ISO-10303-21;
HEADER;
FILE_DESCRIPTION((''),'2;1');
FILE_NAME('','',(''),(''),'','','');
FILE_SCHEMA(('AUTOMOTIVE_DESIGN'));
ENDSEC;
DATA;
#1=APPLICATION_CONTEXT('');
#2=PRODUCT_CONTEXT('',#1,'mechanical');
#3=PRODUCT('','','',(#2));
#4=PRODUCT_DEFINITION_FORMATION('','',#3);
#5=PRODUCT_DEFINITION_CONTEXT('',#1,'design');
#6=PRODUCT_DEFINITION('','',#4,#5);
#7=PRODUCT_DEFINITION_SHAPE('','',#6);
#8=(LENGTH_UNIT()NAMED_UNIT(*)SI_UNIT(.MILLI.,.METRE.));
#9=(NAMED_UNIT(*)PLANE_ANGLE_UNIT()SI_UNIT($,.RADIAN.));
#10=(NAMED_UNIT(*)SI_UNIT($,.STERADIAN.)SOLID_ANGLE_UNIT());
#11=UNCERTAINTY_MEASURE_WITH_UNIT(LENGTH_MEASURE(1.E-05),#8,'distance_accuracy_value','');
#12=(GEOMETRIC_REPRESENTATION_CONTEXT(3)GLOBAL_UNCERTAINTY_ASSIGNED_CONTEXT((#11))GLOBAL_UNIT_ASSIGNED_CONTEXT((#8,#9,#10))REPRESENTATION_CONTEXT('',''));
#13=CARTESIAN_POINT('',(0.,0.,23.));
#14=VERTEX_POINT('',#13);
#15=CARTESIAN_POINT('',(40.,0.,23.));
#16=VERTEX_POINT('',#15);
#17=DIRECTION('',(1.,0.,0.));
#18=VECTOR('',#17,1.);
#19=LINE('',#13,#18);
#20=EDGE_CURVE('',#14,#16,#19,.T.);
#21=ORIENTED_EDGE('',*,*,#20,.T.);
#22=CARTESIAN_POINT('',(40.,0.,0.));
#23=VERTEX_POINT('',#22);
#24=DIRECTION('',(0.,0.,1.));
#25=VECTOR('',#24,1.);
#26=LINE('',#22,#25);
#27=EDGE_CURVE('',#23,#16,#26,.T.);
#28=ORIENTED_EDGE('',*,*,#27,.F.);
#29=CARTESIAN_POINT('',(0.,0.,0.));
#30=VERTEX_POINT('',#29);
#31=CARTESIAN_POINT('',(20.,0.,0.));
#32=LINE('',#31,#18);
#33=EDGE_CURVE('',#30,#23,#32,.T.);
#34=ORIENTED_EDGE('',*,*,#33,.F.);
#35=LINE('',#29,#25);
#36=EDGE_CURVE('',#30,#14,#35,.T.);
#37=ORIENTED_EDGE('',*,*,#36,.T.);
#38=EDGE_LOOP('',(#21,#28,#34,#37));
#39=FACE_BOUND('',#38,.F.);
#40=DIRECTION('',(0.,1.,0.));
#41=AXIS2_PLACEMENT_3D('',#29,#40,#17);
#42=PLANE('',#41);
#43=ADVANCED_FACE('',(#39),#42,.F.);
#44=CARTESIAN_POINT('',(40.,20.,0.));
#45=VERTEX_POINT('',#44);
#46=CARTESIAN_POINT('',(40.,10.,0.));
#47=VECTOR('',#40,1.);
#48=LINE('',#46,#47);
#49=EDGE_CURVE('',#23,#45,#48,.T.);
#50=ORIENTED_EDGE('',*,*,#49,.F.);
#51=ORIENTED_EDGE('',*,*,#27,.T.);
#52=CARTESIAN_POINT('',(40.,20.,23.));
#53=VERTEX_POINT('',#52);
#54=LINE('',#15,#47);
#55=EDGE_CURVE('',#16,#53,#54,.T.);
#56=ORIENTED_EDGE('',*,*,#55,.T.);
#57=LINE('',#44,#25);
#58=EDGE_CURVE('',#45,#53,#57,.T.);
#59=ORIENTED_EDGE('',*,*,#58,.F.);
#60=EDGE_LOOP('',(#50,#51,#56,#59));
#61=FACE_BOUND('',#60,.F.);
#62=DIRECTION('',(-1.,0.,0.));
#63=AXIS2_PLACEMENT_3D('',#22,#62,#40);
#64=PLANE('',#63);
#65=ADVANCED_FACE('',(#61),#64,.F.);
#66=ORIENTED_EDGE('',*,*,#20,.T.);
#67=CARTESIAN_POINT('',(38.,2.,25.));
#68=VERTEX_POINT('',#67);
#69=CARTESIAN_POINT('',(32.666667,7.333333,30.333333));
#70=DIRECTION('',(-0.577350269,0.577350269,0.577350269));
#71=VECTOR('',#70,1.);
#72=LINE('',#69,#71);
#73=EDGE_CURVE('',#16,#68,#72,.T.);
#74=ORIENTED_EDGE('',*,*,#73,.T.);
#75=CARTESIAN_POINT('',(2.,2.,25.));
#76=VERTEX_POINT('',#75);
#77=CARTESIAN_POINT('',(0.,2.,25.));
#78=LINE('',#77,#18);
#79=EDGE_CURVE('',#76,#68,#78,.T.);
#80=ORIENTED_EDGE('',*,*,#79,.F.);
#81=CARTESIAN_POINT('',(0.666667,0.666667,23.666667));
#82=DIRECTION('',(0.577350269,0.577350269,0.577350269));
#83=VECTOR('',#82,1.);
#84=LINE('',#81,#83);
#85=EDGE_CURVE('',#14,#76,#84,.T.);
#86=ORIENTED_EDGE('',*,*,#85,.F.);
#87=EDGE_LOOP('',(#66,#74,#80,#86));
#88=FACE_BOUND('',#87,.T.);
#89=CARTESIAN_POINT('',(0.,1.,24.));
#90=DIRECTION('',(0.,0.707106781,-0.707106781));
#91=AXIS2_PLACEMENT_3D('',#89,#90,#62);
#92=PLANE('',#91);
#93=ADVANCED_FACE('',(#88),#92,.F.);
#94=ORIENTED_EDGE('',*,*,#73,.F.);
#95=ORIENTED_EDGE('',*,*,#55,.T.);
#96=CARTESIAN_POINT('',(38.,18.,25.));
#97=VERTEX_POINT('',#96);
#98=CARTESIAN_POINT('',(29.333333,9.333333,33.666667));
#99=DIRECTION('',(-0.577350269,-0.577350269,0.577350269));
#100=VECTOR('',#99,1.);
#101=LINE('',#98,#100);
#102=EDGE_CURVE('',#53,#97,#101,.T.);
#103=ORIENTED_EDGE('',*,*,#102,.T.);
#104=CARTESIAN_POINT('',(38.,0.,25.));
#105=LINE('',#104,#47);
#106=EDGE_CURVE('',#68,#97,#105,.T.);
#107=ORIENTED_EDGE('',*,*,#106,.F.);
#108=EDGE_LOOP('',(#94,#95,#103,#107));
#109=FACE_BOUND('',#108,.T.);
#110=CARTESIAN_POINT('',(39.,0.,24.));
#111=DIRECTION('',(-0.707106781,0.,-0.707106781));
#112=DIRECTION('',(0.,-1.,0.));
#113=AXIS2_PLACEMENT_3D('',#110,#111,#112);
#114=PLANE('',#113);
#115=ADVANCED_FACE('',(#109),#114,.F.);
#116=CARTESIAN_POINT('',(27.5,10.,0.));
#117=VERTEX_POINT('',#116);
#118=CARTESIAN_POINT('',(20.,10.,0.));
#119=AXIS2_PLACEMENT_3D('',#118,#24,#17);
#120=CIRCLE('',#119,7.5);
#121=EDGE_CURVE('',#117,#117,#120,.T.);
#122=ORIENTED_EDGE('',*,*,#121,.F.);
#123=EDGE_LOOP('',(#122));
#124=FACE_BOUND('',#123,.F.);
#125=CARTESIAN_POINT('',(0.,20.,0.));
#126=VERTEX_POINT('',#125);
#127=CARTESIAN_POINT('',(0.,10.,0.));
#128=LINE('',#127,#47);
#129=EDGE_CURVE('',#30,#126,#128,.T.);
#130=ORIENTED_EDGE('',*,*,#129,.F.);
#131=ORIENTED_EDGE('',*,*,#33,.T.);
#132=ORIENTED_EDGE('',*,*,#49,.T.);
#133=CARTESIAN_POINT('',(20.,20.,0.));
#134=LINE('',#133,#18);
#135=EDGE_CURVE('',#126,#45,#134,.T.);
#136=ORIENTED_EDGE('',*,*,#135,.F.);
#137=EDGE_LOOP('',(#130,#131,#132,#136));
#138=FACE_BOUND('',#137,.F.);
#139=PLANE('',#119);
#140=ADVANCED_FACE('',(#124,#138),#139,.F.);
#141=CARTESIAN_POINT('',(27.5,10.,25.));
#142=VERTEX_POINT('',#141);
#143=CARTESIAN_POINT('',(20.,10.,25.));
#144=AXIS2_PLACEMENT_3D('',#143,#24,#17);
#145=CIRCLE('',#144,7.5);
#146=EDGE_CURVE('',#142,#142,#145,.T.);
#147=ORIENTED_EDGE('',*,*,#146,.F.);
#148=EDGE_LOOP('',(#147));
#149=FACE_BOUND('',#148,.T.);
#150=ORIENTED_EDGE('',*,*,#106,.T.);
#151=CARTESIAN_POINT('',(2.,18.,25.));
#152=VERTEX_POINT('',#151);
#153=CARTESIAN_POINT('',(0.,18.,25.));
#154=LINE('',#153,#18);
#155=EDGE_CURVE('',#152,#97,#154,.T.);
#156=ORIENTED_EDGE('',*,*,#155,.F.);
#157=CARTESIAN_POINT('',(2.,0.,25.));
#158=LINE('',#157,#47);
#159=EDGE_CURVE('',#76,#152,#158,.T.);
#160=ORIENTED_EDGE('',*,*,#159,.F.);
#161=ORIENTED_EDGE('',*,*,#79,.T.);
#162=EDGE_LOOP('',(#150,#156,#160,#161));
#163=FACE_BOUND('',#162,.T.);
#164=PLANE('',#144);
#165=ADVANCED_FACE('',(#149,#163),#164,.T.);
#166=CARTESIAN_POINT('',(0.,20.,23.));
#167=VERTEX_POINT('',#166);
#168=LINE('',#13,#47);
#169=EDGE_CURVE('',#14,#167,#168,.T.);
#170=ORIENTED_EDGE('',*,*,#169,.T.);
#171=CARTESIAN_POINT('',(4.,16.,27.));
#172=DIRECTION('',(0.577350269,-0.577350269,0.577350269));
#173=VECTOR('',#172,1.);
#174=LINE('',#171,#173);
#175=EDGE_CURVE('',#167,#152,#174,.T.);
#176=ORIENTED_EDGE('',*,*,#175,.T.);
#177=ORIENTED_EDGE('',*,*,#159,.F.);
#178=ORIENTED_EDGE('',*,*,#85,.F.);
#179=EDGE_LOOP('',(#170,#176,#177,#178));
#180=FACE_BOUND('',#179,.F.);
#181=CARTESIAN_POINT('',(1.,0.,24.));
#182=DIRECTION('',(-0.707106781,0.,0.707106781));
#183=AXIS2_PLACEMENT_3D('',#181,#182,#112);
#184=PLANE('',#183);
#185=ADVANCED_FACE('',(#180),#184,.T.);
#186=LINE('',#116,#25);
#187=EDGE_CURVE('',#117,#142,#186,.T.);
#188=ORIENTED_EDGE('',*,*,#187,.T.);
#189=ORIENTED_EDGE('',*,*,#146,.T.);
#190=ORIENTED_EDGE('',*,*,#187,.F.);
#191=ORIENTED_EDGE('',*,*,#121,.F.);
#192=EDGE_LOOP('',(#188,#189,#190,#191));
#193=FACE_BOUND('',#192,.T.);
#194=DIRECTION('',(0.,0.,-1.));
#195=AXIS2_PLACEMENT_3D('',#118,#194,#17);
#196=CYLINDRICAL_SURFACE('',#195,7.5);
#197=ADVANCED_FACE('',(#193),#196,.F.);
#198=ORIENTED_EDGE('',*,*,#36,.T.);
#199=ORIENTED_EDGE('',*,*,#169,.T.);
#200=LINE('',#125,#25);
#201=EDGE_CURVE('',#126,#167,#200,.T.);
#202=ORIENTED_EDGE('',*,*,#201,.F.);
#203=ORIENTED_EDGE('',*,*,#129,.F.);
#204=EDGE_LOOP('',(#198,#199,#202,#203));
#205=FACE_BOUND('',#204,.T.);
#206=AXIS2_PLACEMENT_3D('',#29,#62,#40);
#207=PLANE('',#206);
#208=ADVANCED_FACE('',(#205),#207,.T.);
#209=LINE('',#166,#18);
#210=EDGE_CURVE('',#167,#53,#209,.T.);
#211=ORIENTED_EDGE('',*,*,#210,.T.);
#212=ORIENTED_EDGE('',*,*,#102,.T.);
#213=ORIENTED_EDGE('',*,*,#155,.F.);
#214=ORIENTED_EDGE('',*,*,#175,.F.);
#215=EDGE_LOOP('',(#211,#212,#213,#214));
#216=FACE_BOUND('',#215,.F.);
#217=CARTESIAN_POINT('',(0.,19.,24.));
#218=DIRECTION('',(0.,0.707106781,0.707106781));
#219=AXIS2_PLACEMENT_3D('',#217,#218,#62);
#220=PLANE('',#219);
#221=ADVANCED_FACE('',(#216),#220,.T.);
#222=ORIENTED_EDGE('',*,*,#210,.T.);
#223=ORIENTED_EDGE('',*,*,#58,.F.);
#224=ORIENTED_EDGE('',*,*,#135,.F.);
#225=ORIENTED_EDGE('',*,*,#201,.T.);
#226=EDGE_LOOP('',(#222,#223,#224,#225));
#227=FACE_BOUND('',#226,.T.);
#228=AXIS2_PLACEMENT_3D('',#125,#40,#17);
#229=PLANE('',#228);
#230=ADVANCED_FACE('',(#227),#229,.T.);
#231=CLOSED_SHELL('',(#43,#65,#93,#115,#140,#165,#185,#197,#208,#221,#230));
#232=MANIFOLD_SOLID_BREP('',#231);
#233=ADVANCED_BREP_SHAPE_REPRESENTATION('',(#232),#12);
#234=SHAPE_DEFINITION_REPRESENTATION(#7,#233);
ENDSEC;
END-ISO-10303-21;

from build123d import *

# Parameters (mm, degrees)
F0_W     = 40
F0_H     = 20
F0_R     = 7.5
F1_DEPTH = 25
F2_SIZE  = 2


with BuildPart() as f1:
    # F0 (on Top) → F1 (new body)
    with BuildSketch(Plane.XY):
        with Locations((20, 10)):
            Rectangle(F0_W, F0_H)
        with Locations((20, 10)):
            Circle(F0_R, mode=Mode.SUBTRACT)
    extrude(amount=F1_DEPTH)

    # F2
    f2_edges = [f1.edges().sort_by_distance(p)[0] for p in [
        (20, 0, 25),
        (0, 10, 25),
        (20, 20, 25),
        (40, 10, 25),
    ]]
    chamfer(f2_edges, length=F2_SIZE)


solid = f1.part
